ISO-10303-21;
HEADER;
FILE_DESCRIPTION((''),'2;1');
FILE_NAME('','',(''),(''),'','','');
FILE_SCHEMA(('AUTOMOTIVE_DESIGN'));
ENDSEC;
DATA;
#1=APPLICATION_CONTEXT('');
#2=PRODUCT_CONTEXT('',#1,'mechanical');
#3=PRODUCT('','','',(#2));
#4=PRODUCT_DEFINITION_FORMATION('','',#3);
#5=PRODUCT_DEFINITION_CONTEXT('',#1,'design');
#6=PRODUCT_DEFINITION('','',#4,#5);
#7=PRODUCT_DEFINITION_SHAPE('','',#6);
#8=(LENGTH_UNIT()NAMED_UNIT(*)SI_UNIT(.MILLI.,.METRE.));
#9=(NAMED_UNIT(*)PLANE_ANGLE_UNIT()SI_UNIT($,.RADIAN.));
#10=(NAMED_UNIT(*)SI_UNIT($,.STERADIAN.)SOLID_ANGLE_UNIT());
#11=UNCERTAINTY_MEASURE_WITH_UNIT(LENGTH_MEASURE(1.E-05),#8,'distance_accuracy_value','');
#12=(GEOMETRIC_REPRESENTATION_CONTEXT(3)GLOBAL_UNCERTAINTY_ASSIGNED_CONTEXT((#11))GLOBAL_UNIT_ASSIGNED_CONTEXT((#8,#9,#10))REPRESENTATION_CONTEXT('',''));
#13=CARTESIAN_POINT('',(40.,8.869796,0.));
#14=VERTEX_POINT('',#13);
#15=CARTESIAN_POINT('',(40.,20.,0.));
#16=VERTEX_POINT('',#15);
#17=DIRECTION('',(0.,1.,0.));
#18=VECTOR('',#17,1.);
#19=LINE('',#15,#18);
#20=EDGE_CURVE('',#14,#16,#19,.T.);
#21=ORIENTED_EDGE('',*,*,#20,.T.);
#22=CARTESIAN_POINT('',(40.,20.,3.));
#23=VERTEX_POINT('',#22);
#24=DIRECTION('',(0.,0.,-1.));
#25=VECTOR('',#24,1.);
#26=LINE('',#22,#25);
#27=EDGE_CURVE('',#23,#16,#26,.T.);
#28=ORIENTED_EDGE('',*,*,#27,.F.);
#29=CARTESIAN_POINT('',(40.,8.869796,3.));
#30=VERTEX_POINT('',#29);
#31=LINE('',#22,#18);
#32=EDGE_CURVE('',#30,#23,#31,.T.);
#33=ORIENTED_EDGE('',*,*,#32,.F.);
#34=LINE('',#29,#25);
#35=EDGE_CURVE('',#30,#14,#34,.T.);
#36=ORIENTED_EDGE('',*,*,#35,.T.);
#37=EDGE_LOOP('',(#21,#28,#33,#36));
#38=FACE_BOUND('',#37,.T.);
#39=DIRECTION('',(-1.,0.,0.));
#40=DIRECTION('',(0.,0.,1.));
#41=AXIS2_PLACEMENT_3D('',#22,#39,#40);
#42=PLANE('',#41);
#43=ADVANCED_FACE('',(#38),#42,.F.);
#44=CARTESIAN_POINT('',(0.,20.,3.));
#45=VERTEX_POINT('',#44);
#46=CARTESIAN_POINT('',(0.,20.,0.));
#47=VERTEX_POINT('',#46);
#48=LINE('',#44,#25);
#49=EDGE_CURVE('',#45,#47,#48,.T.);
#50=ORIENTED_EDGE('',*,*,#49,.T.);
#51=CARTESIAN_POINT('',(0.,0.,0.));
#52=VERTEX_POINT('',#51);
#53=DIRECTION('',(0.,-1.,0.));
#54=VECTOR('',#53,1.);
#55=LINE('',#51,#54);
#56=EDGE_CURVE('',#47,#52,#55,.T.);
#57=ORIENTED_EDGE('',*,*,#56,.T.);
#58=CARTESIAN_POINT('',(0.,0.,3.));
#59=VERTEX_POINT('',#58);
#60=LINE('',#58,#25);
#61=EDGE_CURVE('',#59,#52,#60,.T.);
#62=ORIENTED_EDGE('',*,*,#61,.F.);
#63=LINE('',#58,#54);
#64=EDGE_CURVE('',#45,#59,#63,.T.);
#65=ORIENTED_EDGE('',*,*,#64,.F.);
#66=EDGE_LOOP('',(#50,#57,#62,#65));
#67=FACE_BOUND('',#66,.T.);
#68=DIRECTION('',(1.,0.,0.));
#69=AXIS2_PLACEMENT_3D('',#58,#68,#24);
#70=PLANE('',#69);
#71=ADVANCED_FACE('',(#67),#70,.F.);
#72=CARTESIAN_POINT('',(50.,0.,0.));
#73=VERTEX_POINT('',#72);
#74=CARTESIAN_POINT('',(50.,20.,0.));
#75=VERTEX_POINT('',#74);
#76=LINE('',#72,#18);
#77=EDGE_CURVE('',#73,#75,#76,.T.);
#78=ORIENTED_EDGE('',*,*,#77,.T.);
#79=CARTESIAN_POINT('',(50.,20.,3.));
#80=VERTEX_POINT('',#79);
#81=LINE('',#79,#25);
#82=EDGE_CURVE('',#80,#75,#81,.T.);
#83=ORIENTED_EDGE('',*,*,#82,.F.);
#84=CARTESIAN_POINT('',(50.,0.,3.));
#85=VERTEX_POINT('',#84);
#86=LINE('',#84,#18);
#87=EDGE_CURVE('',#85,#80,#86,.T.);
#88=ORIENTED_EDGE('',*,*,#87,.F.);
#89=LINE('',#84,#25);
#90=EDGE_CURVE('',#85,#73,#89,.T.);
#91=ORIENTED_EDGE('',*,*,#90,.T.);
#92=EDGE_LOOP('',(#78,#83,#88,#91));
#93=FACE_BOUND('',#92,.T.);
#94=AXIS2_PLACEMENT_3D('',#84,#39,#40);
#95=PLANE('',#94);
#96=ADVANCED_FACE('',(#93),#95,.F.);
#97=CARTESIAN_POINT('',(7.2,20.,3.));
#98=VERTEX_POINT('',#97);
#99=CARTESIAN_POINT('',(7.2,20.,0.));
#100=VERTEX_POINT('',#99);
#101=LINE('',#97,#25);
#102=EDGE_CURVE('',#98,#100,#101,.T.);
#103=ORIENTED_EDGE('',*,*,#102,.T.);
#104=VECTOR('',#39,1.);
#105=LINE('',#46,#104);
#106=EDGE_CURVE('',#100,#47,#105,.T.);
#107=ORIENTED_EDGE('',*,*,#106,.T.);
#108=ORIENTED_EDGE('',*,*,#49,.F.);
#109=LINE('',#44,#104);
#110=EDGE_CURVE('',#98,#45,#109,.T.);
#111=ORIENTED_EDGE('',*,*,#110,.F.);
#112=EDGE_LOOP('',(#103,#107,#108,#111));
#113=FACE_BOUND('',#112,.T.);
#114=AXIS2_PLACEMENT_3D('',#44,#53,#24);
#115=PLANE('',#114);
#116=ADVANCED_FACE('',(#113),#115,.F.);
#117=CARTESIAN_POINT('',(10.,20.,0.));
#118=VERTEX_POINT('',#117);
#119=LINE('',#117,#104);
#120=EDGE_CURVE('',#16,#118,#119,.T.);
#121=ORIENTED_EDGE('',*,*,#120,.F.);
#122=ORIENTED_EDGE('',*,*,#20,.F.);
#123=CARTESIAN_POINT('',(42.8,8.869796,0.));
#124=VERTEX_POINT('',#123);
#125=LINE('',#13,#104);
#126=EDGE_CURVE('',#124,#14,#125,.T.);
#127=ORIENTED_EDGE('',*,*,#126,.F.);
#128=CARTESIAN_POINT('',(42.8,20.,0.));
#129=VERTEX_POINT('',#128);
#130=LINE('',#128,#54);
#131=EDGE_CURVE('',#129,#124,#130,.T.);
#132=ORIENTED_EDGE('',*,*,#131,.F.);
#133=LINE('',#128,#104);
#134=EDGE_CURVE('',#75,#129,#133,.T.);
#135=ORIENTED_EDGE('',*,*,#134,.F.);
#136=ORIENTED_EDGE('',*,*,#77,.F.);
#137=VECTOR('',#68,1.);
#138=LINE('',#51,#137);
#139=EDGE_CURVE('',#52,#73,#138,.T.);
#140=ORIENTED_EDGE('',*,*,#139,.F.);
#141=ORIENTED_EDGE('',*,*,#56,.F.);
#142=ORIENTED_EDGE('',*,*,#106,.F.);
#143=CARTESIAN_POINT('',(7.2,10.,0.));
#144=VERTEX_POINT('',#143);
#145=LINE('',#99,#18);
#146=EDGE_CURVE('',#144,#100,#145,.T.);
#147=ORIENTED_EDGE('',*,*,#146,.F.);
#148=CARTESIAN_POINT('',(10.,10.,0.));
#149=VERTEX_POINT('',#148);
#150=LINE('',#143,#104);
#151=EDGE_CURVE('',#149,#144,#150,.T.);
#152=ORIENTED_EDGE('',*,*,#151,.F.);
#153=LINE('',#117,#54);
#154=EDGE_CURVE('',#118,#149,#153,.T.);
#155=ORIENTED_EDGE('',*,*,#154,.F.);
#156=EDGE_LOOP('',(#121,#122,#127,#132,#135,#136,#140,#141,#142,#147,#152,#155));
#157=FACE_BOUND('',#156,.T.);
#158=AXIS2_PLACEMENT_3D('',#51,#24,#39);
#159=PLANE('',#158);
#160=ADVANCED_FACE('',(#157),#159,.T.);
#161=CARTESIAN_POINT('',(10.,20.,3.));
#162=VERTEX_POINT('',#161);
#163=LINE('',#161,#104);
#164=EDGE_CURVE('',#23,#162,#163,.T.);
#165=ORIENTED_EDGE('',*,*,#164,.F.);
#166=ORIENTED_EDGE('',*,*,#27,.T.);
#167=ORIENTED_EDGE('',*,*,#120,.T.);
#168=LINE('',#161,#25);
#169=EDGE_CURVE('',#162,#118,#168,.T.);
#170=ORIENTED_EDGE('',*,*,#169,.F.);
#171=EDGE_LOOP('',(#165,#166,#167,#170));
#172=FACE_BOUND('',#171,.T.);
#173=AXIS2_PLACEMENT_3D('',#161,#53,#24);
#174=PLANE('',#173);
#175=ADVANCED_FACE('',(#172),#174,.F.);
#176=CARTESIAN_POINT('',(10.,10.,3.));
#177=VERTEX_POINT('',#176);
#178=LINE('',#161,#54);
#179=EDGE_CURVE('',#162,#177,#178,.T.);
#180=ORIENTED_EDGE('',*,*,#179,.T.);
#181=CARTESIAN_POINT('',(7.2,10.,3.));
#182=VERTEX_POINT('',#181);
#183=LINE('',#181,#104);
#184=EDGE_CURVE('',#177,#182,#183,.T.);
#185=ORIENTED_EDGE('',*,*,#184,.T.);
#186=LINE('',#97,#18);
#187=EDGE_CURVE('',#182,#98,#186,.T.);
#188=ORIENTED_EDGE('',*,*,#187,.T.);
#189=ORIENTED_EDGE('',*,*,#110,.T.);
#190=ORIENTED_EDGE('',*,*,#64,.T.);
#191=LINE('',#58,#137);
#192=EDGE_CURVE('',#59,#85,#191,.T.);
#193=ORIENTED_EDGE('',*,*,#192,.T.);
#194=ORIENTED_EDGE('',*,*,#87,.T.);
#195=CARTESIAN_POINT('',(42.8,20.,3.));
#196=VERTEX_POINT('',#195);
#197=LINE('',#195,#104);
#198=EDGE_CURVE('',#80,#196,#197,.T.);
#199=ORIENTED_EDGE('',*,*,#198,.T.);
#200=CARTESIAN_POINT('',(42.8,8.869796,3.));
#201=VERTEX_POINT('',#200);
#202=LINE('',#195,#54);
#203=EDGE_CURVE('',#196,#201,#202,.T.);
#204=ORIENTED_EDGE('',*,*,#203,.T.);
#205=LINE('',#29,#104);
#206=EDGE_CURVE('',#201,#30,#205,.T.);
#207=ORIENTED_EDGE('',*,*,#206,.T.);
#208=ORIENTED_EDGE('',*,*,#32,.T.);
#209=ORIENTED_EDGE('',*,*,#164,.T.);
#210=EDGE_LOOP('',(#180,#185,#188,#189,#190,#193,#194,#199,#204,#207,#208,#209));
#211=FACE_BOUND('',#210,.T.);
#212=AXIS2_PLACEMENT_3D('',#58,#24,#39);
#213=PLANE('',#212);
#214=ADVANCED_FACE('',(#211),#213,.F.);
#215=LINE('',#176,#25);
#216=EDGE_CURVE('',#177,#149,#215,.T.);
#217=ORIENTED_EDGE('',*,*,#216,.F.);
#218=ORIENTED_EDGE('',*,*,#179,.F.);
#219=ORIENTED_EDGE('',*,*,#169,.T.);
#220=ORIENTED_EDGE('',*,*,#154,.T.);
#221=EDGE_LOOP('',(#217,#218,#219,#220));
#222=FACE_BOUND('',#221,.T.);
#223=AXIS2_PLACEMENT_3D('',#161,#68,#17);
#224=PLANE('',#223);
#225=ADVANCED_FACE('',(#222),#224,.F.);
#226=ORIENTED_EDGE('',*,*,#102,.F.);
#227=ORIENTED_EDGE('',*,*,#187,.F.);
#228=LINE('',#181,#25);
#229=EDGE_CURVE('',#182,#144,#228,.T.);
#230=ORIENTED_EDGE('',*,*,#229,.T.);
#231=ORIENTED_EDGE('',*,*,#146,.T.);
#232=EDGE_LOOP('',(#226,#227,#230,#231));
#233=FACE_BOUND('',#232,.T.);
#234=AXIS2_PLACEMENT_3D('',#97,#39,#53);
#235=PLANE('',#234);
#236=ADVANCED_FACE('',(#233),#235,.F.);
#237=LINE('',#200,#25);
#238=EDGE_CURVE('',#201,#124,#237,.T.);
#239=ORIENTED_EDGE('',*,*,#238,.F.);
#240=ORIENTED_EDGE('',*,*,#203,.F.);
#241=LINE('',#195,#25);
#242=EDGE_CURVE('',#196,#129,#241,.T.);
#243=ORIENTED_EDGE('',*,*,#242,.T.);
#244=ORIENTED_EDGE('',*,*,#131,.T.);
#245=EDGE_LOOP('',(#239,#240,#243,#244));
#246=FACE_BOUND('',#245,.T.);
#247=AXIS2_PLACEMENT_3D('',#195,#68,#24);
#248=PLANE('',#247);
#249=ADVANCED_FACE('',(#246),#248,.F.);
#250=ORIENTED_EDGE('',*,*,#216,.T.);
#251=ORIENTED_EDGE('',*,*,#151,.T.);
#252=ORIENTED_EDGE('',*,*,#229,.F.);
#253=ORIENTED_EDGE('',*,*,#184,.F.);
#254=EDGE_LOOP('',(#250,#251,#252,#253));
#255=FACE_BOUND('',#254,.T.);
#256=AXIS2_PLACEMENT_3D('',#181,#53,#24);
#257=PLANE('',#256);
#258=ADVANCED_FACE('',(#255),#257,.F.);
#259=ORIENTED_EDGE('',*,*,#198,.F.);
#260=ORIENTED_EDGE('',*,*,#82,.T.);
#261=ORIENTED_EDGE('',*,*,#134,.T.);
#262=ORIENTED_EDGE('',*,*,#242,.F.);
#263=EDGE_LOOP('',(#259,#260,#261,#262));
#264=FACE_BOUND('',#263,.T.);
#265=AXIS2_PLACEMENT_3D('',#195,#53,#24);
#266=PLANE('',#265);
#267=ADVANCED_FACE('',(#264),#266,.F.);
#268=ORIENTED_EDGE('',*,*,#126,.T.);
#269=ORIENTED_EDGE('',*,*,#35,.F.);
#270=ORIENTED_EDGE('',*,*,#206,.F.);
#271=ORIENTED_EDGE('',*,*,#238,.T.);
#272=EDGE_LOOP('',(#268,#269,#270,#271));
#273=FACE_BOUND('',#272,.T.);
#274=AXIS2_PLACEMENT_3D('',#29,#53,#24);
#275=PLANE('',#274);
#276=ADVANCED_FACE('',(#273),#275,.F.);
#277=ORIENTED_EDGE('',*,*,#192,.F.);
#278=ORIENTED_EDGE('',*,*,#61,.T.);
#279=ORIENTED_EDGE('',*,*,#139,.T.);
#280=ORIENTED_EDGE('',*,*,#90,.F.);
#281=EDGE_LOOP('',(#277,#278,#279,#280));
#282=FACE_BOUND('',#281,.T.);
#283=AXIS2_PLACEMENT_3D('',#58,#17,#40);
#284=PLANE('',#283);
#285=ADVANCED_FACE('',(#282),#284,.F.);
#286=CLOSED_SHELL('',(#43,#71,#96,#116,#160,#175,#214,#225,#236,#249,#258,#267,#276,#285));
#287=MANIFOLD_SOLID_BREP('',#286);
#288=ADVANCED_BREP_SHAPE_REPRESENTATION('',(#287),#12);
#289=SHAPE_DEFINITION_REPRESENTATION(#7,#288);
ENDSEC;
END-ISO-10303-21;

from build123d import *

# Parameters (mm, degrees)
BOSS_EXTRU_1_DEPTH = 3


with BuildPart() as part:
    # Esquisse1 → Boss.-Extru.1 (new body)
    with BuildSketch(Plane.XY):
        Polygon((10, 20), (40, 20), (40, 8.869796004), (42.8, 8.869796004), (42.8, 20), (50, 20), (50, 0), (0, 0), (0, 20), (7.2, 20), (7.2, 10), (10, 10), align=None)
    extrude(amount=BOSS_EXTRU_1_DEPTH)


solid = part.part
